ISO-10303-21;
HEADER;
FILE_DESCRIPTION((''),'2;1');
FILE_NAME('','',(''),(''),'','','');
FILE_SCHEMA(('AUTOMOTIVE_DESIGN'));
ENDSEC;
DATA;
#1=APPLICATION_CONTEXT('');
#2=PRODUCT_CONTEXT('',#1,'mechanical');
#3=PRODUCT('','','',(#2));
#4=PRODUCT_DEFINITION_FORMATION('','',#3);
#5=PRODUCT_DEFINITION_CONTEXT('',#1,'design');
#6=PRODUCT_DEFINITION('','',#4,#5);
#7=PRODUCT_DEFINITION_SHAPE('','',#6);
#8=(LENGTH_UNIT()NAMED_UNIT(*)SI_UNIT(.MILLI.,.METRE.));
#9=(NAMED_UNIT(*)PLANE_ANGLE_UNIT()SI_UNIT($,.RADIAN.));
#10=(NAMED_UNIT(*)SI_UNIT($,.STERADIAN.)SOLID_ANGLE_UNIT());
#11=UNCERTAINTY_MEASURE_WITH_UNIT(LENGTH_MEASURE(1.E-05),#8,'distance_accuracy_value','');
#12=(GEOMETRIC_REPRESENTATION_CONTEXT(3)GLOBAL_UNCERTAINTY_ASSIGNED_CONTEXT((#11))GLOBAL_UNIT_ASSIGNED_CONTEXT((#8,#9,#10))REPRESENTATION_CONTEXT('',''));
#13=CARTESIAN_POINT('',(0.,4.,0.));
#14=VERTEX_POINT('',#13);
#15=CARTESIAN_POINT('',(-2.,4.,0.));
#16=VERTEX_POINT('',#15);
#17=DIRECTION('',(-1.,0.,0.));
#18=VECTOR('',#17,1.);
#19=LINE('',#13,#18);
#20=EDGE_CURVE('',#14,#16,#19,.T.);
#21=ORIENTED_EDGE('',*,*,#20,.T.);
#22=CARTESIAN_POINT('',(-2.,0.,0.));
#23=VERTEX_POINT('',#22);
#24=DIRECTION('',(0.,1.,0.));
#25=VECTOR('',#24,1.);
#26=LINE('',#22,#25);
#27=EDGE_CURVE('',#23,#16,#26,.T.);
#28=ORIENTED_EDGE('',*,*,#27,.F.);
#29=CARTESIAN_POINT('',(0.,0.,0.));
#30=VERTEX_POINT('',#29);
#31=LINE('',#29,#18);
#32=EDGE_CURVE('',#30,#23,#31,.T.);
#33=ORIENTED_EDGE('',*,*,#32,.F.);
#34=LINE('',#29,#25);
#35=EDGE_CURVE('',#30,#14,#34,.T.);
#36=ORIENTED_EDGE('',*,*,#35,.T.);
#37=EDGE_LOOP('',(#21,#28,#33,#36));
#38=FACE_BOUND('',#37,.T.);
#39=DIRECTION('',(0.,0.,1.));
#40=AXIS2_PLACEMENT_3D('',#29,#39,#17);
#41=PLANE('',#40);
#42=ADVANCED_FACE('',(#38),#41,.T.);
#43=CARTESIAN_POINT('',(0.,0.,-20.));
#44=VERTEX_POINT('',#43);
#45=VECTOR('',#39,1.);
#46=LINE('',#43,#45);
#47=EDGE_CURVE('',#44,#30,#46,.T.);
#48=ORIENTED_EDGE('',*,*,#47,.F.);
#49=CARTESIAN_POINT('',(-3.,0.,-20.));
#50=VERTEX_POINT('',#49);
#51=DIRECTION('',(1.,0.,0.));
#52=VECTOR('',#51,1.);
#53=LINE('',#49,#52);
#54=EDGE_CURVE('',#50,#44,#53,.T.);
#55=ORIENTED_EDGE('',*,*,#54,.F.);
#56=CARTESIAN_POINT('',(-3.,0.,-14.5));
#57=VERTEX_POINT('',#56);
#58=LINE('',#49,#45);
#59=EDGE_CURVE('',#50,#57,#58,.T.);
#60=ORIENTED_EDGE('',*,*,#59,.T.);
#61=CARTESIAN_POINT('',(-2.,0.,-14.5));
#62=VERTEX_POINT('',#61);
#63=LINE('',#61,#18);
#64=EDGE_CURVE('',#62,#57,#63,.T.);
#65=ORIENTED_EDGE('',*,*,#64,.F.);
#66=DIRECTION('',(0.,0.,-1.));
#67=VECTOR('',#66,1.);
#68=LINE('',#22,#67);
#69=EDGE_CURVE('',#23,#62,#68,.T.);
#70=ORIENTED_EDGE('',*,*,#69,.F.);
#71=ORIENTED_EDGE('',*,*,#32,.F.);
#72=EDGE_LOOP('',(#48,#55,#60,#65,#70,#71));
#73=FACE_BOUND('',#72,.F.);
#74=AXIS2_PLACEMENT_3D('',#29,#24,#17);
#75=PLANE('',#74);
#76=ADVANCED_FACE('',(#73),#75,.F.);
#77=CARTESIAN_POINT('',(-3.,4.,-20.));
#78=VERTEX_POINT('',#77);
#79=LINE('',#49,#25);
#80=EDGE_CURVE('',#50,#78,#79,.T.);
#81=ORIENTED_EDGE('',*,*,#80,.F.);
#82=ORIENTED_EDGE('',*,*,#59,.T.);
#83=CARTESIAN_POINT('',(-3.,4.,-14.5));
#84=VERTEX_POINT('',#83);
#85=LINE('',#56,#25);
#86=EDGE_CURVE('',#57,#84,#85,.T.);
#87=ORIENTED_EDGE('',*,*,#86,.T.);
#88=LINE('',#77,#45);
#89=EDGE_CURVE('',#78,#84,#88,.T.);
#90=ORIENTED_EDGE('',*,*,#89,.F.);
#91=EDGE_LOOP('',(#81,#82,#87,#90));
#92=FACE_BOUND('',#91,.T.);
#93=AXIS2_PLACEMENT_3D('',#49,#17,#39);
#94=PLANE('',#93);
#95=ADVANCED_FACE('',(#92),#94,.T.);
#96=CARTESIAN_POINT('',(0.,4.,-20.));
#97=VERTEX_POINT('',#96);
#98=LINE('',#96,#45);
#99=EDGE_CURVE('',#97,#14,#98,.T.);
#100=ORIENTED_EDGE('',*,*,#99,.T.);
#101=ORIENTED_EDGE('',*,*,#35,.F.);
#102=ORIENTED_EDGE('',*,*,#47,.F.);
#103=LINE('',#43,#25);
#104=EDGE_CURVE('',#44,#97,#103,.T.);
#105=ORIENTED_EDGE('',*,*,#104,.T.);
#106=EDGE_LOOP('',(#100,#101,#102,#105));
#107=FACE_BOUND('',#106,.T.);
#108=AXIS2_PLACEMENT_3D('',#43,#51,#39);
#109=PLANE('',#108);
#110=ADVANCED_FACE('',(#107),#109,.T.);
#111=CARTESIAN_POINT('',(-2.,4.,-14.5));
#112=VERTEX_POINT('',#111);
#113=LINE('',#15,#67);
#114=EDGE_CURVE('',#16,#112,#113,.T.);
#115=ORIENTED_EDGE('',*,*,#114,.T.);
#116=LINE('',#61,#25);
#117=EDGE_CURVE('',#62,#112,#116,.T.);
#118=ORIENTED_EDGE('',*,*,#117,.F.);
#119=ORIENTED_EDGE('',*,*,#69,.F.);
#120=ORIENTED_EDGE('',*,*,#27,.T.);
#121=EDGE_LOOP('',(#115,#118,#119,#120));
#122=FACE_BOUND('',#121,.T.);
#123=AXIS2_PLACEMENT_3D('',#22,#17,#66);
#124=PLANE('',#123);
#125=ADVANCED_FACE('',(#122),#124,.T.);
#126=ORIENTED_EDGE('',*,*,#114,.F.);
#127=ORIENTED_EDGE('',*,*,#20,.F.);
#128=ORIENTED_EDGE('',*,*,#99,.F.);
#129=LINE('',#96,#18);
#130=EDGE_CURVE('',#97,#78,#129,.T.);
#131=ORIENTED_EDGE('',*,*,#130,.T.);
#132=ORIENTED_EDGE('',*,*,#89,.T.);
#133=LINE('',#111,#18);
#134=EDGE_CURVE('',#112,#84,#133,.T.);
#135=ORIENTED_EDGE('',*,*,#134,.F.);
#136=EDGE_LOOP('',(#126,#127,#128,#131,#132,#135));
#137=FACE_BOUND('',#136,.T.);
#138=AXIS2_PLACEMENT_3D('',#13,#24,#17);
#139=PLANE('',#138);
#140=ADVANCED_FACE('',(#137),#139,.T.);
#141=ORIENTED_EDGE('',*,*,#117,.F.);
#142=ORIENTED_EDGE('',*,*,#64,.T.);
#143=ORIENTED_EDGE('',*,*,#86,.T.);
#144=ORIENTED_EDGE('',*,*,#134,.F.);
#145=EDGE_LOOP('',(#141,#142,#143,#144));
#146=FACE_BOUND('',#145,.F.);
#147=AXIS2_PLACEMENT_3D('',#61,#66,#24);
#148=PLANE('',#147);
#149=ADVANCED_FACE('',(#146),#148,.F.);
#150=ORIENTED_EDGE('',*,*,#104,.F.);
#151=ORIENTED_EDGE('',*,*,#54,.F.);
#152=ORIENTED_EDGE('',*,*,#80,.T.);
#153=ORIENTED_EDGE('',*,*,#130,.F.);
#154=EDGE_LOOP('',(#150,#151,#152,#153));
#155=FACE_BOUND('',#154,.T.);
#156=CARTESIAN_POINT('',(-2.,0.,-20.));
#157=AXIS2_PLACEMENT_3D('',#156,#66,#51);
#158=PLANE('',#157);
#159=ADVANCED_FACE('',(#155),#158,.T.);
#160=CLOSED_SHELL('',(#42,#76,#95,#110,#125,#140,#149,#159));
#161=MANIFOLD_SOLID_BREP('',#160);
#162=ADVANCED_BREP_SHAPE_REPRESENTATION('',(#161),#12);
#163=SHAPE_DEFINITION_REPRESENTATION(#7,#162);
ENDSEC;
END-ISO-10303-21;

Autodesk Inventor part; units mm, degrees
ref_plane "YZ Plane" through (0, 0, 0) normal (1, 0, 0) x (0, 1, 0)
ref_plane "XZ Plane" through (0, 0, 0) normal (0, 1, 0) x (-1, 0, 0)
ref_plane "XY Plane" through (0, 0, 0) normal (0, 0, 1) x (1, 0, 0)
sketch "Sketch1" plane through (0, 0, 0) normal (0, 1, 0) x (-1, 0, 0)
  line L0 (0, 0) -> (2, 0)
  line L1 (2, 0) -> (2, -20)
  line L2 (2, -20) -> (0, -20)
  line L3 (0, -20) -> (0, 0)
  dimension "d0" = 2
  dimension "d1" = 20
extrude "Extrusion1" add sketch "Sketch1" along normal blind 4
sketch "Sketch2" plane through (-2, 0, -20) normal (-1, 0, 0) x (0, 0, 1)
  line L0 (0, 0) -> (0, 4) projected
  line L1 (5.5, 0) -> (5.5, 4)
  line L2 (0, 0) -> (20, 0) projected
  line L3 (20, 0) -> (20, 4) projected
  line L4 (0, 4) -> (20, 4) projected
  line L5 (0, 0) -> (0, 4) projected
  dimension "d4" = 5.5
extrude "Extrusion2" add sketch "Sketch2" along normal blind 1 contours L0 L4 L1 L2
properties part number "Knuckle Stopper"
